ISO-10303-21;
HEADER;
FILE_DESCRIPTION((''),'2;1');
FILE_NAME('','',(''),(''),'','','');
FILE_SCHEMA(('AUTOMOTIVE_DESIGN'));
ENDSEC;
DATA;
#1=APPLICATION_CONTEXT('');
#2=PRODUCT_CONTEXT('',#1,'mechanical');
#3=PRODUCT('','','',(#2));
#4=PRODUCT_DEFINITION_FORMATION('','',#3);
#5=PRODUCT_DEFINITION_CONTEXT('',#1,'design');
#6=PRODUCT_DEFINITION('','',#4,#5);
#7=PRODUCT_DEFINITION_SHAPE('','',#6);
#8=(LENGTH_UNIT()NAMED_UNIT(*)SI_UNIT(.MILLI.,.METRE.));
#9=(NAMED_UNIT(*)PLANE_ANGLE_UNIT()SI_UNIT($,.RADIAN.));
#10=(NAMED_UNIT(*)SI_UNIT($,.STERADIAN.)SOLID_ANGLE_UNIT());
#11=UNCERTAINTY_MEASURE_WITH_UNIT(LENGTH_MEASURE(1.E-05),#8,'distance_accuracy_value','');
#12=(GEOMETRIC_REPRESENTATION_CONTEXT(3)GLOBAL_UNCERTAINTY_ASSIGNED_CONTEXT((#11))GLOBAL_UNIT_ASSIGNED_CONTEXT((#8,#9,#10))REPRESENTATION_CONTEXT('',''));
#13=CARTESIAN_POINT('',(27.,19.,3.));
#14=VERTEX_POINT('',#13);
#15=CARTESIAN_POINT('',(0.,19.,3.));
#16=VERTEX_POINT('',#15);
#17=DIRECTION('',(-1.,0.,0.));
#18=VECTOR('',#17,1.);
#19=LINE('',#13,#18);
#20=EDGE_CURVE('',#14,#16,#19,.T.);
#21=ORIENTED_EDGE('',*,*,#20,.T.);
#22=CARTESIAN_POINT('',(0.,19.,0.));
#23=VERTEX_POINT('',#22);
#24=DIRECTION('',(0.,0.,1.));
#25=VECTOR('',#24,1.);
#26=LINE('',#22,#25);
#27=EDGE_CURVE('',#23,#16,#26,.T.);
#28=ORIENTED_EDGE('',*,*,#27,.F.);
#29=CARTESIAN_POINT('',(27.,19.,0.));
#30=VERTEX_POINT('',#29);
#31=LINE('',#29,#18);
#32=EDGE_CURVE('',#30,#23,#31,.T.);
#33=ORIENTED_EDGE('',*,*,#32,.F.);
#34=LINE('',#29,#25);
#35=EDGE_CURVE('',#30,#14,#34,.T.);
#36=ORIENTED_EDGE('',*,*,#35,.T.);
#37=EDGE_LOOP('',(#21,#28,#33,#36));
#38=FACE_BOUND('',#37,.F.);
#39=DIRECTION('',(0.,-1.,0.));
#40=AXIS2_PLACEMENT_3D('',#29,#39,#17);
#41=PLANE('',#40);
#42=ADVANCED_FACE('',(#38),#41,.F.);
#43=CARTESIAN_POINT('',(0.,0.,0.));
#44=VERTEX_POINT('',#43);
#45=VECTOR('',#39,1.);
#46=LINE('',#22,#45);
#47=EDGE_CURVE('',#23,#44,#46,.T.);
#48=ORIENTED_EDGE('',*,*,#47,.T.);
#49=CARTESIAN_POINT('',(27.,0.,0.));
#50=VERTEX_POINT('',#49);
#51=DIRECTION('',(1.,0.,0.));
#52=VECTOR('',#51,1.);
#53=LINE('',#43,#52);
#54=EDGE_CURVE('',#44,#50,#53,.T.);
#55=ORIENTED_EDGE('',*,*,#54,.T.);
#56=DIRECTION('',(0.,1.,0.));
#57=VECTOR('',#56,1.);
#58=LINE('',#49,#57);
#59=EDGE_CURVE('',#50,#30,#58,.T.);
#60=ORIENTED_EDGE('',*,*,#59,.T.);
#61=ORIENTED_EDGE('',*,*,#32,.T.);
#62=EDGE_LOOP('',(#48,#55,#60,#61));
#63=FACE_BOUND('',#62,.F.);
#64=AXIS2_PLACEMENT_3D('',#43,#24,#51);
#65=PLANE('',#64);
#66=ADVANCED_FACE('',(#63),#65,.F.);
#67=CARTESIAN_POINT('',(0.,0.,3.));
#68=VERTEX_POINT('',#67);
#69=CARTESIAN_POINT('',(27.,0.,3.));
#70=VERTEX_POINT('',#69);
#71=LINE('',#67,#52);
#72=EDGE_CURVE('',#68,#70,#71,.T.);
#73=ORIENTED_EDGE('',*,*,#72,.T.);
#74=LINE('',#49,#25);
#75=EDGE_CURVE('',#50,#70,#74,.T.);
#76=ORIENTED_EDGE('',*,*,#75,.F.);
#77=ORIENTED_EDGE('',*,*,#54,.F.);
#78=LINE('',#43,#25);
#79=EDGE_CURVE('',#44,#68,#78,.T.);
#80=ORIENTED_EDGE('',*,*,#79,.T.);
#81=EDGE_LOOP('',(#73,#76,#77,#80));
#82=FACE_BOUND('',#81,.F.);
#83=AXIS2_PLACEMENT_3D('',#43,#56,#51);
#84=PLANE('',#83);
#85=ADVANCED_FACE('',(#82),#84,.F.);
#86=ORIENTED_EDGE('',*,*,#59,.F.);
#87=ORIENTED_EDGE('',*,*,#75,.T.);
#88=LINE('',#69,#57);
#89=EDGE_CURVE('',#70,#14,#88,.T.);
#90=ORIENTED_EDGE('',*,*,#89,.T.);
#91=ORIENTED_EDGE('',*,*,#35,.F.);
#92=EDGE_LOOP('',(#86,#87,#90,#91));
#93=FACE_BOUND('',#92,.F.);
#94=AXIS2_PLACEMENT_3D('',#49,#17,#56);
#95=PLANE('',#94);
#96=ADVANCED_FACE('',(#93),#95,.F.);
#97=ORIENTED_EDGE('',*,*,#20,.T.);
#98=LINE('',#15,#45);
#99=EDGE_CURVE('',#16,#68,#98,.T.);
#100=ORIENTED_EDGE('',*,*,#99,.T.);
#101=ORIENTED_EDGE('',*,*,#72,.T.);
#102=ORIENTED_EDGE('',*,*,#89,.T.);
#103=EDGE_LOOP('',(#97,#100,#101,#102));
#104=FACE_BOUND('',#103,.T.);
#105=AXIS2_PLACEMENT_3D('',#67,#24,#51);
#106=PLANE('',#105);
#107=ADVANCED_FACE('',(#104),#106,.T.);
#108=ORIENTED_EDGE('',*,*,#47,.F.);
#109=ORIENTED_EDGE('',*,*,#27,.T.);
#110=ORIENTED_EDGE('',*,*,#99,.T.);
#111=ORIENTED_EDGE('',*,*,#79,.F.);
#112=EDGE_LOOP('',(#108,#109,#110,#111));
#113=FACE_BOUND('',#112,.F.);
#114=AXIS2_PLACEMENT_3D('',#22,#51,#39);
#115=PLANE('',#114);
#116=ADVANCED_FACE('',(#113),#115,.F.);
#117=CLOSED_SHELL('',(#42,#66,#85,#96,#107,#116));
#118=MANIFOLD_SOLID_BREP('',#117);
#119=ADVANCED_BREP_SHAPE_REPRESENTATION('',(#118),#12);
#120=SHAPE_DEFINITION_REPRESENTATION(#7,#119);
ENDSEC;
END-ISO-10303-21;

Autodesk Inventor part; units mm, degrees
ref_plane "YZ Plane" through (0, 0, 0) normal (1, 0, 0) x (0, 1, 0)
ref_plane "XZ Plane" through (0, 0, 0) normal (0, 1, 0) x (-1, 0, 0)
ref_plane "XY Plane" through (0, 0, 0) normal (0, 0, 1) x (1, 0, 0)
sketch "Sketch1" plane through (0, 0, 0) normal (0, 0, 1) x (1, 0, 0)
  line L0 (0, 0) -> (27, 0)
  line L1 (27, 0) -> (27, 19)
  line L2 (27, 19) -> (0, 19)
  line L3 (0, 19) -> (0, 0)
  dimension "d0" = 27
  dimension "d1" = 19
extrude "Extrusion1" add sketch "Sketch1" along normal blind 3
properties part number "Stegmotordrivare"
